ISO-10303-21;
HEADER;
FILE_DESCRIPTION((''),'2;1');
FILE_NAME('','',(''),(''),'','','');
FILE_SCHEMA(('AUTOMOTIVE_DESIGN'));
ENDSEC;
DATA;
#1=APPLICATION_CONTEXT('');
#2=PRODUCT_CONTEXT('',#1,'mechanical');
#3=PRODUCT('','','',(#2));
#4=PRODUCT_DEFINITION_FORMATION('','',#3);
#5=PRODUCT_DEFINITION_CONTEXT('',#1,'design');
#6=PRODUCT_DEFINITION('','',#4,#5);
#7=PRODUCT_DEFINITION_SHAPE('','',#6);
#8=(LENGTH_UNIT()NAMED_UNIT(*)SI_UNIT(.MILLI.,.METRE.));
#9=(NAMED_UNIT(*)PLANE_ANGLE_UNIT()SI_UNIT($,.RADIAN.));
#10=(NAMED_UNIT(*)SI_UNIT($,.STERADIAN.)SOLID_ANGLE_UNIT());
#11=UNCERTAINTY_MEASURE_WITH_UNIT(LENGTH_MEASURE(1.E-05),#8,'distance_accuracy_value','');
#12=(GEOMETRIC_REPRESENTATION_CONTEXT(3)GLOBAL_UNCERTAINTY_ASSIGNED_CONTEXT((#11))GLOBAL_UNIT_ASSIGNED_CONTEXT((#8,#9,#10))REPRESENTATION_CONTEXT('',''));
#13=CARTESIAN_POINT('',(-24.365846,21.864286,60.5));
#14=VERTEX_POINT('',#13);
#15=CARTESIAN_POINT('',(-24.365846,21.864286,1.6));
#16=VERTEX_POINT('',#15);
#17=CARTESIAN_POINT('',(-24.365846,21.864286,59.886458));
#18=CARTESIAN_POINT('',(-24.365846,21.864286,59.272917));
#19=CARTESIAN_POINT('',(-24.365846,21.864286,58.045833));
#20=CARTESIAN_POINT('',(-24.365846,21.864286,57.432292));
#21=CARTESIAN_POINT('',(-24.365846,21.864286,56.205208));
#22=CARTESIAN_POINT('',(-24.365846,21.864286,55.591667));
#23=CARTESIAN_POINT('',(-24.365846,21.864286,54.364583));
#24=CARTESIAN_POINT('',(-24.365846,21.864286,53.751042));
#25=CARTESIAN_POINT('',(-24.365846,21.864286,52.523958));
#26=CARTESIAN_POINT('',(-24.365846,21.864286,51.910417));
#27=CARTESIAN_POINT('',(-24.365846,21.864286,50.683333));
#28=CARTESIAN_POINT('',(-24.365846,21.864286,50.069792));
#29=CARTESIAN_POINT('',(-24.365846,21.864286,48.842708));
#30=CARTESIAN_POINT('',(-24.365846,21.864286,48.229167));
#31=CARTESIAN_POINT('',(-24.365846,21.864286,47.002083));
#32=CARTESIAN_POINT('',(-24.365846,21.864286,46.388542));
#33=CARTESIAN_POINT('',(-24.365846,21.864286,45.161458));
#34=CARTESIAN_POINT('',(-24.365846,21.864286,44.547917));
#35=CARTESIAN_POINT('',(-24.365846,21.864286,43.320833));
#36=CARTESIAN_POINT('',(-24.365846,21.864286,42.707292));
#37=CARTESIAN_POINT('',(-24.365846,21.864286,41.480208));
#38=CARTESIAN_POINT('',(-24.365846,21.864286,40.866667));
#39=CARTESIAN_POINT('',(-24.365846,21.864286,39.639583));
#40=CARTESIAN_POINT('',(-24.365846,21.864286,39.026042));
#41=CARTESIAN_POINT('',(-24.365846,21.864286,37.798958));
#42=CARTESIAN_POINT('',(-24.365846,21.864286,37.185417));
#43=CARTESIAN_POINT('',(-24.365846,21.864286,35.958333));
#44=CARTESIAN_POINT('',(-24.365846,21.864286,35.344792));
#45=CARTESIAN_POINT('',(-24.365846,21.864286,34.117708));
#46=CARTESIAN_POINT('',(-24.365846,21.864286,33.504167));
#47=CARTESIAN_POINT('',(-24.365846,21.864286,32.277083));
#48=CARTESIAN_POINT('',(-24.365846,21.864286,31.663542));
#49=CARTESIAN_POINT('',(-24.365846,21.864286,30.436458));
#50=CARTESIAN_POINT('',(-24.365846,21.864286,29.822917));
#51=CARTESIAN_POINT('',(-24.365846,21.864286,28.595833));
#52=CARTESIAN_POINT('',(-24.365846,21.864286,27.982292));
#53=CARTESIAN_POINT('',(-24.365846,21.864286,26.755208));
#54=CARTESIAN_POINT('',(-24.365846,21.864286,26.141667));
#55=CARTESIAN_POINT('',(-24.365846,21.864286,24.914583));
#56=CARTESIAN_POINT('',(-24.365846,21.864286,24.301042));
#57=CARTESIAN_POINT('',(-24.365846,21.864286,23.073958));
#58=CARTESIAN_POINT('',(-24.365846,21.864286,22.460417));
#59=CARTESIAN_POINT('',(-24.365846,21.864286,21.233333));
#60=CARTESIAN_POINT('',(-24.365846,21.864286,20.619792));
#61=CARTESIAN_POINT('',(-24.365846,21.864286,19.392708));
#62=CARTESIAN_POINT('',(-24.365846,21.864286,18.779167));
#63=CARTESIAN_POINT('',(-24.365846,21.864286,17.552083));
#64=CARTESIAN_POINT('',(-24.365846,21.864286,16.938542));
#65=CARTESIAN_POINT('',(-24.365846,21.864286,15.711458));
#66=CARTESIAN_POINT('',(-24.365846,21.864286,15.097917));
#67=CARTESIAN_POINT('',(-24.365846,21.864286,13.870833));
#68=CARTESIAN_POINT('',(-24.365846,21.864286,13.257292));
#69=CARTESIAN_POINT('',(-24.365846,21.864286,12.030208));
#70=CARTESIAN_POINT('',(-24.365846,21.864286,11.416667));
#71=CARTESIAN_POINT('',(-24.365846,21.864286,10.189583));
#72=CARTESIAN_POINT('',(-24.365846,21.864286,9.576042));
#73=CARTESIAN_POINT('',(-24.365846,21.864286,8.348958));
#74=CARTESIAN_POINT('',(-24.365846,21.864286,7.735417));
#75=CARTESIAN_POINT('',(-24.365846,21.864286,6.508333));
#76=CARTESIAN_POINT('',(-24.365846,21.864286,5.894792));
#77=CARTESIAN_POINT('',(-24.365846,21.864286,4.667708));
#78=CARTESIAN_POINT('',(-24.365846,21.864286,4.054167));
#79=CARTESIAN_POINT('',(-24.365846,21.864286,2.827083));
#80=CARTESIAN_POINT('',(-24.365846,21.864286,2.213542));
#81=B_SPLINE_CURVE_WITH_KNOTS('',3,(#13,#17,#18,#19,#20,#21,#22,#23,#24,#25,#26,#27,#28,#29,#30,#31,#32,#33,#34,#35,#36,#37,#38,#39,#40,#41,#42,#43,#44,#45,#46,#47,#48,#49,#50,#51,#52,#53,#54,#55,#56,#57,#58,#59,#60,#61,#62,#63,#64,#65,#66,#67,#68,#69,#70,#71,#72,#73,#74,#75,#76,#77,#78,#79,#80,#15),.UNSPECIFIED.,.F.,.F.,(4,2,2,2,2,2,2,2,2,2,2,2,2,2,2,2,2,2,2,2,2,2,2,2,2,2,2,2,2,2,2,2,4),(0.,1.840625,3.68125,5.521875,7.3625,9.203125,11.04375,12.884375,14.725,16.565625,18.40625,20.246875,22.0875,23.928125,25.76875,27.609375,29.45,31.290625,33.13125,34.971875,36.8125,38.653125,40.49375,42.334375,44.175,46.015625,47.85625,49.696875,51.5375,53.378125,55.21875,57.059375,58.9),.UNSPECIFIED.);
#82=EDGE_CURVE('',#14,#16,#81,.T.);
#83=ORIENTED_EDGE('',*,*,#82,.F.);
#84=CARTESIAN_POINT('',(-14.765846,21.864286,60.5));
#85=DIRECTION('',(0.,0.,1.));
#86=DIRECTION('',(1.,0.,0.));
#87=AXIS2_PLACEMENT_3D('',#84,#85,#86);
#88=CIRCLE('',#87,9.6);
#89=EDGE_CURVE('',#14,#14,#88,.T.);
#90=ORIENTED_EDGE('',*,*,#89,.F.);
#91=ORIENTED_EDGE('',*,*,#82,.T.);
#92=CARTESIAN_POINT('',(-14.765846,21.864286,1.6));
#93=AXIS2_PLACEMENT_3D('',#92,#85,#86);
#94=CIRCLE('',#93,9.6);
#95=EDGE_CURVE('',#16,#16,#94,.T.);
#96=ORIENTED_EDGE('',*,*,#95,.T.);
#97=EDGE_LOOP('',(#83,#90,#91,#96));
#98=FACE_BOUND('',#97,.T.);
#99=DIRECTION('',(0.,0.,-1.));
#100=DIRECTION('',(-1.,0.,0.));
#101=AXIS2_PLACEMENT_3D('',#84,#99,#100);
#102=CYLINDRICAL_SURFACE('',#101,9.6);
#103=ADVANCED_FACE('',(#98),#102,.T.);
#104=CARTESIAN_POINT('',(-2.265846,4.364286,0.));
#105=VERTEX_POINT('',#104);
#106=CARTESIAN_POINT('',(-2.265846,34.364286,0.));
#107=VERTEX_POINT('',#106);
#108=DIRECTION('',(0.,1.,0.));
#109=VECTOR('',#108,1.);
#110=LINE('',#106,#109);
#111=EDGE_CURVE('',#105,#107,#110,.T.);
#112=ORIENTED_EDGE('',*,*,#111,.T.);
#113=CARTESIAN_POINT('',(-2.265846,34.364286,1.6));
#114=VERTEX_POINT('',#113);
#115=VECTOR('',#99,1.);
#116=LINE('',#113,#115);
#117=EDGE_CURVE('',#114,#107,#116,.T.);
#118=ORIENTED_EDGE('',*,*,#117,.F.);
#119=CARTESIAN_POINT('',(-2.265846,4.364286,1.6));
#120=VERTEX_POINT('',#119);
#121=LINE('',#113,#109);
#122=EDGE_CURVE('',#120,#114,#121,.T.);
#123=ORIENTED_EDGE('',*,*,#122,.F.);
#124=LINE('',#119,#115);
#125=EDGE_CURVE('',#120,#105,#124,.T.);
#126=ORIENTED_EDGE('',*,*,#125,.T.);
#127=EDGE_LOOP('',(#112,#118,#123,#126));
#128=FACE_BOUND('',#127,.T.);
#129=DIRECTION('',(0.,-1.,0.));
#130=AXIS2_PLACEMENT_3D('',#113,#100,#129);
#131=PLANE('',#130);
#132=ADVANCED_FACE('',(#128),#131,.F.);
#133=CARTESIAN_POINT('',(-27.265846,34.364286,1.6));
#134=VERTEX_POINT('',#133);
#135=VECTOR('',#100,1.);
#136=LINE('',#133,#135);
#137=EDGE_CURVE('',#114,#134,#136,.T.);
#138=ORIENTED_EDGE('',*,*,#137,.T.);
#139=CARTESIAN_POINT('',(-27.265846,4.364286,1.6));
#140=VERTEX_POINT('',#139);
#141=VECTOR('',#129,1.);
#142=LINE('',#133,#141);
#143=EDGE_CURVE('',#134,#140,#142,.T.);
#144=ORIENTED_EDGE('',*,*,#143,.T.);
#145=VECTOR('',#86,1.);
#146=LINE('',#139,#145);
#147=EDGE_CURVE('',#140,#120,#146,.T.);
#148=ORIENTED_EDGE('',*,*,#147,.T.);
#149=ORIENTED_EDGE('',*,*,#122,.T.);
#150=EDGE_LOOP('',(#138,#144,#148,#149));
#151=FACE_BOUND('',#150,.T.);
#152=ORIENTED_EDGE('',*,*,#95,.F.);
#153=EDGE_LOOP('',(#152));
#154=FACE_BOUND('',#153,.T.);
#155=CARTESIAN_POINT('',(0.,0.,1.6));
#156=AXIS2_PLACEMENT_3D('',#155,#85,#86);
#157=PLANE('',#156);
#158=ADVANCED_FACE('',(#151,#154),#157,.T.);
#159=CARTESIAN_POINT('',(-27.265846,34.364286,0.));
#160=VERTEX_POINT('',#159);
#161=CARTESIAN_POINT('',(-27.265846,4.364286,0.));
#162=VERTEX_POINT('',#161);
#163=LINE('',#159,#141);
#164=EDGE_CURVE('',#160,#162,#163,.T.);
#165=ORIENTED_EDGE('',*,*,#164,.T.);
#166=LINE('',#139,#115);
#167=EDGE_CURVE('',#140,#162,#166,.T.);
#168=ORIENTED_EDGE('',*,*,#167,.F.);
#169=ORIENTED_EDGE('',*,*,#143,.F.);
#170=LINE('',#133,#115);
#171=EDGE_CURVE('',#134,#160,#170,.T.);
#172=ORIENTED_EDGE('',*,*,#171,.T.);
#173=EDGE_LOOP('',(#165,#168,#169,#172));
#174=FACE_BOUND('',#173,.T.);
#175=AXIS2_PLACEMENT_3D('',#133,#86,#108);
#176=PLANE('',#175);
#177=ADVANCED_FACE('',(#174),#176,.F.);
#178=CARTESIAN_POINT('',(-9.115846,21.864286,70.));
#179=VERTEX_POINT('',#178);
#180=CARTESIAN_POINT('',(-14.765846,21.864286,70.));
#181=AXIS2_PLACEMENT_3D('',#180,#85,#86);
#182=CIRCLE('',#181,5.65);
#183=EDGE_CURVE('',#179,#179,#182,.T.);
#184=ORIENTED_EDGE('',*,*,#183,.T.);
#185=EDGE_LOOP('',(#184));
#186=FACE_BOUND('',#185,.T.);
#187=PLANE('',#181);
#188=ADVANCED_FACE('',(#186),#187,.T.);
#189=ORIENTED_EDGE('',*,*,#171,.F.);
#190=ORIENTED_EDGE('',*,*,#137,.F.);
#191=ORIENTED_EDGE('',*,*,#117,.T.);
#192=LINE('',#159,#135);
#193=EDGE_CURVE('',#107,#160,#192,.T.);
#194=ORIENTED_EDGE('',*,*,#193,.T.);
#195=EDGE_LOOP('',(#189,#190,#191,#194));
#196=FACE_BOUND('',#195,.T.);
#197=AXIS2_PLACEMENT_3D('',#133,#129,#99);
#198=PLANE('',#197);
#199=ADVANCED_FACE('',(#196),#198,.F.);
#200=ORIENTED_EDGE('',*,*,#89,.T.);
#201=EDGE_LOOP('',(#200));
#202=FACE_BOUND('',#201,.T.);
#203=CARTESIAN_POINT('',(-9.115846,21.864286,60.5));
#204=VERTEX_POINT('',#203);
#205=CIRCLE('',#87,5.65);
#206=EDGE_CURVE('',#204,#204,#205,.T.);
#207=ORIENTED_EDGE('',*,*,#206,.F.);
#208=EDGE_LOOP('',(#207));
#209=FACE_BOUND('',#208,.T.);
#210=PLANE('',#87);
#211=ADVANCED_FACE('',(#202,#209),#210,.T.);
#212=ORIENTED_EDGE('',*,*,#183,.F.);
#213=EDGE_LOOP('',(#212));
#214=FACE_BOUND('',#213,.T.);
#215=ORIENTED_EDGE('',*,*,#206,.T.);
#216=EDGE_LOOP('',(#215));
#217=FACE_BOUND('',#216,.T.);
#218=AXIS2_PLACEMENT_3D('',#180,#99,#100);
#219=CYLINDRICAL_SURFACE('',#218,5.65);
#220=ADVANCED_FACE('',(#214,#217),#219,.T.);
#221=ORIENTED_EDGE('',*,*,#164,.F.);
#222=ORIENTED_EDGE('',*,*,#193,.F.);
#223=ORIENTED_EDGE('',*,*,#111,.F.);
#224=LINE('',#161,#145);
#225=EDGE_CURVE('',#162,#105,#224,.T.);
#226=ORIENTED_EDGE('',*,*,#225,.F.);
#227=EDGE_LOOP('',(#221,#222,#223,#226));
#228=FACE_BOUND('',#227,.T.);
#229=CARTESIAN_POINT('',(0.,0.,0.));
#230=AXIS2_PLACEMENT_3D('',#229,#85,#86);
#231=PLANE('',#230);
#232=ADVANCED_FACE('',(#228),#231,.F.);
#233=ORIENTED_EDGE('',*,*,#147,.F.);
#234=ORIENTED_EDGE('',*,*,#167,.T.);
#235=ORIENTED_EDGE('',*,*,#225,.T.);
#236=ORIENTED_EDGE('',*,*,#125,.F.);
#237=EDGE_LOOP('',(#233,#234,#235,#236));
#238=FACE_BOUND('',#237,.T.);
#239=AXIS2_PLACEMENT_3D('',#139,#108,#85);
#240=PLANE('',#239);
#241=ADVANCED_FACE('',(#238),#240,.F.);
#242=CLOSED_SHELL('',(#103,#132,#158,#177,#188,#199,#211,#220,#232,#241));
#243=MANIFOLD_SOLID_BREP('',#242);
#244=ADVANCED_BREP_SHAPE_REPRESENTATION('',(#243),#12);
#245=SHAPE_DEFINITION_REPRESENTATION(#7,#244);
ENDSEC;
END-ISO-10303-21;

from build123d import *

# Parameters (mm, degrees)
SKETCH_1_W      = 25
SKETCH_1_H      = 30
EXTRUDE_1_DEPTH = 1.6
SKETCH_2_R      = 9.6
EXTRUDE_2_DEPTH = 58.9
SKETCH_4_R      = 5.65
EXTRUDE_3_DEPTH = 9.5


with BuildPart() as part:
    # ｽｹｯﾁ1 → ﾎﾞｽ - 押し出し1 (new body)
    with BuildSketch(Plane.XY):
        with Locations((-14.765846009, 19.364285714)):
            Rectangle(SKETCH_1_W, SKETCH_1_H)
    extrude(amount=EXTRUDE_1_DEPTH)

    # ｽｹｯﾁ2 → ﾎﾞｽ - 押し出し2 (add)
    with BuildSketch(Plane.XY.offset(1.6)):
        with Locations(Location((-14.765846009, 21.864285714, 0), (0, 0, 180))):
            Circle(SKETCH_2_R)
    extrude(amount=EXTRUDE_2_DEPTH)

    # ｽｹｯﾁ4 → ﾎﾞｽ - 押し出し3 (add)
    with BuildSketch(Plane.XY.offset(60.5)):
        with Locations((-14.765846009, 21.864285714)):
            Circle(SKETCH_4_R)
    extrude(amount=EXTRUDE_3_DEPTH)


solid = part.part
